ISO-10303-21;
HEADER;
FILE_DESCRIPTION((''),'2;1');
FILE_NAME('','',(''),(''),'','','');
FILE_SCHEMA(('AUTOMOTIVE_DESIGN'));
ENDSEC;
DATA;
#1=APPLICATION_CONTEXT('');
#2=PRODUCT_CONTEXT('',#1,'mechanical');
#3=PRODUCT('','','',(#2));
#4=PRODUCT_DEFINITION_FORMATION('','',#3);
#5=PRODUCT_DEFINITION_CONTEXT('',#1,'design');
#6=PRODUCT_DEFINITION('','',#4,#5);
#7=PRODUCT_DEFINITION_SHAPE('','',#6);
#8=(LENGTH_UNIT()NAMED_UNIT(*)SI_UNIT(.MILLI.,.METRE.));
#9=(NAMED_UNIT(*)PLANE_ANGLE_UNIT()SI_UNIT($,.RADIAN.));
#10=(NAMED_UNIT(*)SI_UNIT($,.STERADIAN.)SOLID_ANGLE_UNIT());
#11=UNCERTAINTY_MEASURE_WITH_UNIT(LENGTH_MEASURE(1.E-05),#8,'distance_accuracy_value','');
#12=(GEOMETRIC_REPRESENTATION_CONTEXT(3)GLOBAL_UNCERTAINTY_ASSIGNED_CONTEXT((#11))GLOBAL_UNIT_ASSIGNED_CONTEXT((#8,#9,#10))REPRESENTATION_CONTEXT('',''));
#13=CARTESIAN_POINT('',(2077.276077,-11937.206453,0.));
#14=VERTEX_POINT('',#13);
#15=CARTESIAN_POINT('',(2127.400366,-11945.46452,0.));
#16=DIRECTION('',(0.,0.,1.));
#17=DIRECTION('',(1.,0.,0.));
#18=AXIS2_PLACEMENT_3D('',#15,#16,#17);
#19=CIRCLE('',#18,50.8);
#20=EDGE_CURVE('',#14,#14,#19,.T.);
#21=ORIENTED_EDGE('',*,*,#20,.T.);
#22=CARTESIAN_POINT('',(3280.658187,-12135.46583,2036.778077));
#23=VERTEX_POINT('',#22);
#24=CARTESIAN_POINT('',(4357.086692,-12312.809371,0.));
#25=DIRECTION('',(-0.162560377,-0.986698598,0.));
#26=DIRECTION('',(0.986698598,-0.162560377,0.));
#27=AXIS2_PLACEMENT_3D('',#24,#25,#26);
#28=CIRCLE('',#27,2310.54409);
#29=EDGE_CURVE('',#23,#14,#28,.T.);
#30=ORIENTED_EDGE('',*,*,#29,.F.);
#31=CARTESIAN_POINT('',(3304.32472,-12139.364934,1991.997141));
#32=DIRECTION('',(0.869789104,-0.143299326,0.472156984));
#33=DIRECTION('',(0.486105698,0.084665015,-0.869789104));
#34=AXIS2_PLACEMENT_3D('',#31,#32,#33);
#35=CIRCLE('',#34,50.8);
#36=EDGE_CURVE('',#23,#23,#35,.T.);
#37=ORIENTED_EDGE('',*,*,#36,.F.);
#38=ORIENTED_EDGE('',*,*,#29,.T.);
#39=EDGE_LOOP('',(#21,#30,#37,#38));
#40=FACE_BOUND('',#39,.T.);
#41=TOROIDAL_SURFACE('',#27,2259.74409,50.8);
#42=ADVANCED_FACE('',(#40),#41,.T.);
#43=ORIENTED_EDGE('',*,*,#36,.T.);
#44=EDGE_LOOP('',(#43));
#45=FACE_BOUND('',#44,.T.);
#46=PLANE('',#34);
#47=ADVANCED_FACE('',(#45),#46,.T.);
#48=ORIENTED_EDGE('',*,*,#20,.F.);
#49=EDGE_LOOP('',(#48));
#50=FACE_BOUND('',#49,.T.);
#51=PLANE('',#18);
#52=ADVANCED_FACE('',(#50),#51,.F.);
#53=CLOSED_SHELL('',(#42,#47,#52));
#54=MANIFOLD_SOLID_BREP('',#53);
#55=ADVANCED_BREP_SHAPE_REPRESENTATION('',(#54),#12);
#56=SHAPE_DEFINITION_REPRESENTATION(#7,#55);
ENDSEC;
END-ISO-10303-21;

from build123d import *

# Parameters (mm, degrees)
SKETCH1_R = 50.8


with BuildPart() as part:
    # Sweep3: sweep along a path in Sketch3
    with BuildLine(Plane(origin=(-1859.811344962, -11288.564187286, 0), x_dir=(-0.5632230246374148, 0.09279201088692061, 0.821078234539099), z_dir=(0.16256037674540455, 0.9866985983127737, -4.6074255521944004e-15))) as sweep3_path:
        ThreePointArc((-2306.644542353, 3317.946085714), (-1536.680481473, 4244.171856115), (-1351.922350398, 5434.383293551))
    # Sketch1 → Sweep3 (sweep)
    with BuildSketch(Plane.XY):
        with Locations((2127.400365611, -11945.464520318)):
            Circle(SKETCH1_R)
    sweep(path=sweep3_path.line)


solid = part.part
